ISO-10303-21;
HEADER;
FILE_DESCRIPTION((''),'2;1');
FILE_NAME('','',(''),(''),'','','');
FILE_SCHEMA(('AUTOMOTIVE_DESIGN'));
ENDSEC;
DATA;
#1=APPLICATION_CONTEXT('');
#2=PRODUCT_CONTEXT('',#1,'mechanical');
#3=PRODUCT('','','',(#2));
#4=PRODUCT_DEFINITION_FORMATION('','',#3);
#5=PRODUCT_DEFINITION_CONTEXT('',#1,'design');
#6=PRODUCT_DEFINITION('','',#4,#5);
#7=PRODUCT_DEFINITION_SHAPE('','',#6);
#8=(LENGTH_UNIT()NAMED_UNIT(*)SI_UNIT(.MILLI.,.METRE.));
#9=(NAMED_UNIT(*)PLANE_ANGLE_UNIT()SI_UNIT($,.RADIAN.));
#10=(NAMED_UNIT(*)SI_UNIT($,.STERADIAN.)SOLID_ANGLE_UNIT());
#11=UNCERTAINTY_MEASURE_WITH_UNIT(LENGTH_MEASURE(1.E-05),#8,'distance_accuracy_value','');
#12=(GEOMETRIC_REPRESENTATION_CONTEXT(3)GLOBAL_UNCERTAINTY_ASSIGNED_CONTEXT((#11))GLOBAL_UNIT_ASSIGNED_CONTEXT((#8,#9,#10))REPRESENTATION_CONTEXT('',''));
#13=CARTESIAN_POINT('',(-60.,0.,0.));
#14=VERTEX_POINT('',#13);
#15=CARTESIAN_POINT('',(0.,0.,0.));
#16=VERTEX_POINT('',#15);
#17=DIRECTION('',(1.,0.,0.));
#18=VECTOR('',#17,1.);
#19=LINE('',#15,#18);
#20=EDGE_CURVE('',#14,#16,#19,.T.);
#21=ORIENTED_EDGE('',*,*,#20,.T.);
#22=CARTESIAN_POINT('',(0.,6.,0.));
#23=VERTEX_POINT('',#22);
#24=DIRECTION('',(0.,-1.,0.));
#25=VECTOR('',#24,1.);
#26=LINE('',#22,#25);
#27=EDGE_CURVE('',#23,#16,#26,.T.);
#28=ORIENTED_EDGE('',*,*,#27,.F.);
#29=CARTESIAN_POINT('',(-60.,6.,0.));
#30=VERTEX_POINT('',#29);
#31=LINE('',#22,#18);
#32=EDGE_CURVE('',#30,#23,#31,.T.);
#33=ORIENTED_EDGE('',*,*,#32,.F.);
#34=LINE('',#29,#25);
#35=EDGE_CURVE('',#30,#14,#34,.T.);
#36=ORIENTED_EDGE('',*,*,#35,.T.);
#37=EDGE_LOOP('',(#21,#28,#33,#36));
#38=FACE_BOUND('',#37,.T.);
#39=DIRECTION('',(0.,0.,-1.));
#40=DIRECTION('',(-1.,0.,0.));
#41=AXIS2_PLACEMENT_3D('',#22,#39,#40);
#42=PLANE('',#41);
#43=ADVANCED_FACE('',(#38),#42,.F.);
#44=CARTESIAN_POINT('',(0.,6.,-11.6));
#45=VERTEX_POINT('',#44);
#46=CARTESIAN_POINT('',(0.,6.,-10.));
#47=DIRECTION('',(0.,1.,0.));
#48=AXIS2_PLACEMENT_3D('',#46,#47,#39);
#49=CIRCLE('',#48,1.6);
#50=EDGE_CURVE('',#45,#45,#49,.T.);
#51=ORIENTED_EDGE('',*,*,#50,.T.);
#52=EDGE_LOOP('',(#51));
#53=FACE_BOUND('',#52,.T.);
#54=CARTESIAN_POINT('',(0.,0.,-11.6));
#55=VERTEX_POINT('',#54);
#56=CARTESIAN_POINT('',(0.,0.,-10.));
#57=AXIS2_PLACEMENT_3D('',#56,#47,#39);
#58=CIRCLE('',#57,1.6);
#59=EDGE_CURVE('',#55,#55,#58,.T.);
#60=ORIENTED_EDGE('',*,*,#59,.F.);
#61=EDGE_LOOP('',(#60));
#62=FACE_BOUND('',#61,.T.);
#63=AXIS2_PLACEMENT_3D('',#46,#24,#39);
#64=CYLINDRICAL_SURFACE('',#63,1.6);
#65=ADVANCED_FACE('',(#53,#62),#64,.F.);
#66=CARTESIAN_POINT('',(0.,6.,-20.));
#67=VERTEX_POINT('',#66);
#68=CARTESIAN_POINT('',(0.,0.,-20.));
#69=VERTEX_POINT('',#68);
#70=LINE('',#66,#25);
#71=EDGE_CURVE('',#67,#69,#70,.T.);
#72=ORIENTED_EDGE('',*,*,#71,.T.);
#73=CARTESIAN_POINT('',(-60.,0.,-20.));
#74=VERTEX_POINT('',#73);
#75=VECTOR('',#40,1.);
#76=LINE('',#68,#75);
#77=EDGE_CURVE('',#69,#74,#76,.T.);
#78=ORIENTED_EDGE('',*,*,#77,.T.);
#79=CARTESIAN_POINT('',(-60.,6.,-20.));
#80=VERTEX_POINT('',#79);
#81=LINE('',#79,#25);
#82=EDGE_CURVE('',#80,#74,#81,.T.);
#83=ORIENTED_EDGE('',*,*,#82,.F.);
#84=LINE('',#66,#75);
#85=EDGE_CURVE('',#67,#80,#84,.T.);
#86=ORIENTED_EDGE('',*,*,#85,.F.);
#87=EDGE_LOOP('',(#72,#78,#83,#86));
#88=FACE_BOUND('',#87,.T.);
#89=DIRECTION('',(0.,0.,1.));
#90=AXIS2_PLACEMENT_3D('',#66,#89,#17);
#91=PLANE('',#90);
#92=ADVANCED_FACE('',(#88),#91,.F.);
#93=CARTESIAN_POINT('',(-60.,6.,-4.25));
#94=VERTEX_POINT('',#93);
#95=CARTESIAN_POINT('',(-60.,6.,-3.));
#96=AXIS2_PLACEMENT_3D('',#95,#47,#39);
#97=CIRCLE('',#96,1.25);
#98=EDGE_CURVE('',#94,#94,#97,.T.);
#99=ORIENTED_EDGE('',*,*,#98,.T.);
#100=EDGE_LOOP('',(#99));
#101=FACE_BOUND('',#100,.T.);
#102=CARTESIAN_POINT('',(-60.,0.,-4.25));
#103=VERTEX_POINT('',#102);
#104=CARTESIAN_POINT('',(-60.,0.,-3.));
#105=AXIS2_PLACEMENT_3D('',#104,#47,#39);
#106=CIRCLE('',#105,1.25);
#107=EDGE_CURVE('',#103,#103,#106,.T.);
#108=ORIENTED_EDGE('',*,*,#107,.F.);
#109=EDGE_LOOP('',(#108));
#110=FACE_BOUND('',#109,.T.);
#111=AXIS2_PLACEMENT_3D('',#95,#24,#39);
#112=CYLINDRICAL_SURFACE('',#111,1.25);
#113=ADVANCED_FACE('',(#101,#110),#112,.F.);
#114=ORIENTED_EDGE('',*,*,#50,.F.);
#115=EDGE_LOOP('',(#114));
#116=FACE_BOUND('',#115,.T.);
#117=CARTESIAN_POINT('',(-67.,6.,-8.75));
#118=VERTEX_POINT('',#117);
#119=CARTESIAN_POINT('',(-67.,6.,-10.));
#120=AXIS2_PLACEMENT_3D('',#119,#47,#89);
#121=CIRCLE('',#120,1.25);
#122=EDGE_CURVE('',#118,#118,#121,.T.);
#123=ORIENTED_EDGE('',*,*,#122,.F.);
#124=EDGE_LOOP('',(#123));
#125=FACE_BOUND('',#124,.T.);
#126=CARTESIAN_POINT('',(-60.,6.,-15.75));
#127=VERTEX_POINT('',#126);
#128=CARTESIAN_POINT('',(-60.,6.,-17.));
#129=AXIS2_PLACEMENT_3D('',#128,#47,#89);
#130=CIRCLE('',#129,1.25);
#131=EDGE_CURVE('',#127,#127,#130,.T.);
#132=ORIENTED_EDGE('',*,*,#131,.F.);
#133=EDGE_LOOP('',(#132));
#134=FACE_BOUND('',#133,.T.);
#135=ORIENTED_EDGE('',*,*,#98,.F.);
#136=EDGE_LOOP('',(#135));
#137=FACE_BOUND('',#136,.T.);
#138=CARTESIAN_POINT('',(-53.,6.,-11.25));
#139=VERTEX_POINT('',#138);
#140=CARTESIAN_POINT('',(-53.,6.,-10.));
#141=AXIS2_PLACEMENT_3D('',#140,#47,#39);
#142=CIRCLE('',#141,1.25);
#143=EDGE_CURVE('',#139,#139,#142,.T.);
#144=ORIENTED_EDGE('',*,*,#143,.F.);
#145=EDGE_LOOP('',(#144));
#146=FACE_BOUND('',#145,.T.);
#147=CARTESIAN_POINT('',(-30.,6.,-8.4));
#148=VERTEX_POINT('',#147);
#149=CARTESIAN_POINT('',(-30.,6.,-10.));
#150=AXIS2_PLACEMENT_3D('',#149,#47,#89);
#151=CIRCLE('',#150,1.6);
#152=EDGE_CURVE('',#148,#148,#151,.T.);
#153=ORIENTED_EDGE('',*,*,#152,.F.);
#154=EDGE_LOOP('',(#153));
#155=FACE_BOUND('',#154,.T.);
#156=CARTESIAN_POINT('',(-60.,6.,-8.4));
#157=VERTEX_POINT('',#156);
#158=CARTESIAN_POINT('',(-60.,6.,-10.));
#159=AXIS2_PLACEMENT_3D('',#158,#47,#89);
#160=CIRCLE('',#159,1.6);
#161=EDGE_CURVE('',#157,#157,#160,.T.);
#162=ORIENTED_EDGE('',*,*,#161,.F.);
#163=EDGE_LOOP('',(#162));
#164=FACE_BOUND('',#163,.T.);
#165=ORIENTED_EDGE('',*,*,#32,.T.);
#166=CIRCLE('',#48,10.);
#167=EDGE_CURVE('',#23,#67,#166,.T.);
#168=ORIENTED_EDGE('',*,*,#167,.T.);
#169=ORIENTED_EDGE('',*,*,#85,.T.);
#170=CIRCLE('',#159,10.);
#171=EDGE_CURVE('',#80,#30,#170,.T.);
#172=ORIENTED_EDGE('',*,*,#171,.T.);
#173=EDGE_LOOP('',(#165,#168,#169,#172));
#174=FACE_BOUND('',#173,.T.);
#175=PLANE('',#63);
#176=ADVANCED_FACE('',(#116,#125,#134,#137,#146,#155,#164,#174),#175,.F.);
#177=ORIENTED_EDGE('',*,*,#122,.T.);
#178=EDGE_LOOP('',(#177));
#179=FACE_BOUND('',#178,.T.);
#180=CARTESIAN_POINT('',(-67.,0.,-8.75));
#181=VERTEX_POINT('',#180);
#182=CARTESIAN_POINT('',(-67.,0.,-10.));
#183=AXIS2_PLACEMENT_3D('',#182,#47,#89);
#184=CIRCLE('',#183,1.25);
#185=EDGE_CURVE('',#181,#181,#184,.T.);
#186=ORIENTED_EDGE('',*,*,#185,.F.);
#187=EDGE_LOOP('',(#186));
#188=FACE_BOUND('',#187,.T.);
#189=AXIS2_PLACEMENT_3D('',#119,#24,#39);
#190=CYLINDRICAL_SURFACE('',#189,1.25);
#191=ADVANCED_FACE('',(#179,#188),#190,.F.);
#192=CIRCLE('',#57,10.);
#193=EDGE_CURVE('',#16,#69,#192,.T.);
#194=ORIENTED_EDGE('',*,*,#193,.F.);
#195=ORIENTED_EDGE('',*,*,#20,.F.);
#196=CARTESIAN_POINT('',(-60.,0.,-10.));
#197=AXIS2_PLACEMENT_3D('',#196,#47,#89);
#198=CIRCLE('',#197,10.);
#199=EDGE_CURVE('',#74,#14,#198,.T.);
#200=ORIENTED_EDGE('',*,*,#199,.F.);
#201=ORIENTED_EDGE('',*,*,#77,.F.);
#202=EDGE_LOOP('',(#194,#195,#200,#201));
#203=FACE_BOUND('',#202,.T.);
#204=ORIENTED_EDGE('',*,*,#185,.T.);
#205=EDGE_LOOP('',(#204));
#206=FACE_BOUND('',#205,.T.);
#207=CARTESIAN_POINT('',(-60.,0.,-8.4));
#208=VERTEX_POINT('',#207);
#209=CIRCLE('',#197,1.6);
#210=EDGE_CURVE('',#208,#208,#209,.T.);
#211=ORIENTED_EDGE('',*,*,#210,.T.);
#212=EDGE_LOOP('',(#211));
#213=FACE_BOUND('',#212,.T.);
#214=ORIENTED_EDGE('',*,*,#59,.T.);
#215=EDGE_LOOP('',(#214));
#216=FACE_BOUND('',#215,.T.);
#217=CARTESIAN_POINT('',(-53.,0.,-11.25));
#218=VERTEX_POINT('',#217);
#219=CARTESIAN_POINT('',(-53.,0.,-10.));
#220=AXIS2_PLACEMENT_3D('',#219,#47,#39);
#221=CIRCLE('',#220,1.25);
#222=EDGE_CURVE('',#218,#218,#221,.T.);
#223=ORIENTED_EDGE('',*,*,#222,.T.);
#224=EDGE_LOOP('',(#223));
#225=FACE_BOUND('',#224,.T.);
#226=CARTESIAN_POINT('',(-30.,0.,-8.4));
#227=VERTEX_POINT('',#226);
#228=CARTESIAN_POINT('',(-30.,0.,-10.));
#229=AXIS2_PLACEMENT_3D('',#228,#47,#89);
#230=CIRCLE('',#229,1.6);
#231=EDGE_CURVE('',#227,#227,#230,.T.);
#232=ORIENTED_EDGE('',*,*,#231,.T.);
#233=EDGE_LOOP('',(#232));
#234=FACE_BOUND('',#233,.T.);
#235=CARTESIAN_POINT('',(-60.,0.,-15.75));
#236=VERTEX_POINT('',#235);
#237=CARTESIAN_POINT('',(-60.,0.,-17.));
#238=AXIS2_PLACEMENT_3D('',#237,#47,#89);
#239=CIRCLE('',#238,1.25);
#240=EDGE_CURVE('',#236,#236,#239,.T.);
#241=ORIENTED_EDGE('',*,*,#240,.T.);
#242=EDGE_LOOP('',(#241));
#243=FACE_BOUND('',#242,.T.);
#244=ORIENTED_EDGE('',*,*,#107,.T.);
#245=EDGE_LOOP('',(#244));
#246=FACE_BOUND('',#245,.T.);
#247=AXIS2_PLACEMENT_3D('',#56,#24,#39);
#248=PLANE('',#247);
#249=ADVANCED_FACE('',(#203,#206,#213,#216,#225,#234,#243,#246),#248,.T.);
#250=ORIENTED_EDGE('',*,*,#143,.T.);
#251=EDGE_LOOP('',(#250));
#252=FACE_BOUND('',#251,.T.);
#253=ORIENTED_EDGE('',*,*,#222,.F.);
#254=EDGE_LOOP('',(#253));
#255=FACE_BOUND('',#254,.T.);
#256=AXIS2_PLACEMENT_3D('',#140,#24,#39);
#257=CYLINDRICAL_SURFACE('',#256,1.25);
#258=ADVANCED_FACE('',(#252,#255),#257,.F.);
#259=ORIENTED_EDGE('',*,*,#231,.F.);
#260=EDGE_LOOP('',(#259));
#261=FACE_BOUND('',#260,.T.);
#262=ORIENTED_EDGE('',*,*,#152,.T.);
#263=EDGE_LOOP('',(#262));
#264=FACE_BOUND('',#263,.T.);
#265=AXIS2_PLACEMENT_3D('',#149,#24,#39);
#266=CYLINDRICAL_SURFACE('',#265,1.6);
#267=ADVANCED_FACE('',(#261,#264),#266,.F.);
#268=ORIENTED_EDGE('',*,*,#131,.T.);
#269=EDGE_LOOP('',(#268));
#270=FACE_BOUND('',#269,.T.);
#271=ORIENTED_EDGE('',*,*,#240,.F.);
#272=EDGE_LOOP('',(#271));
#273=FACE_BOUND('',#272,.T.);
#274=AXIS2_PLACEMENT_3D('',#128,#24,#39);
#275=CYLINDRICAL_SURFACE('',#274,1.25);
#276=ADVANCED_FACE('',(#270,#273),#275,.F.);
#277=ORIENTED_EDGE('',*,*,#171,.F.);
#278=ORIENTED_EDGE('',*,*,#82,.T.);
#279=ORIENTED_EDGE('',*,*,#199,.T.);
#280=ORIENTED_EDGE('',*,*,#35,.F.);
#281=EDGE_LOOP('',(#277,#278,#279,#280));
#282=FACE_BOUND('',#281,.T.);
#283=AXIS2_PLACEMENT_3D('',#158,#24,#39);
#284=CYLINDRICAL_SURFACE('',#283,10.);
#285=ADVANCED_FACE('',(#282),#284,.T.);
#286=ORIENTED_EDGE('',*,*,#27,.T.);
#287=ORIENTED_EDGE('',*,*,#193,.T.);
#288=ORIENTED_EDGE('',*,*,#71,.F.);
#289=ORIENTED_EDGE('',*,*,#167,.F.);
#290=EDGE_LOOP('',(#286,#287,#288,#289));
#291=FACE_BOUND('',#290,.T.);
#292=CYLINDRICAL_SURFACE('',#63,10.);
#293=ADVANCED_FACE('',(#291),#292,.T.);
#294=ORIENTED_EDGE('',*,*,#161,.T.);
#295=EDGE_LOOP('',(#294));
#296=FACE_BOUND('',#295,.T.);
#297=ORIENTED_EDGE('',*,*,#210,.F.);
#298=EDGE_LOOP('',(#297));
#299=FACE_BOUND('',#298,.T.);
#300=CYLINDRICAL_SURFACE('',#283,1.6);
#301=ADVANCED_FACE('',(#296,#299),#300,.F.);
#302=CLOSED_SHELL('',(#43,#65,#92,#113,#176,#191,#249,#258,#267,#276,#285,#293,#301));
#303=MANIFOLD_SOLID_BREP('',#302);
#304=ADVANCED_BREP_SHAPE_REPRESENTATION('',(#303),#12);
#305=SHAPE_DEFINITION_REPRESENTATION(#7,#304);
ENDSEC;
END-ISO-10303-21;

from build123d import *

# Parameters (mm, degrees)
SKETCH1_R           = 1.6
SKETCH1_R_2         = 1.25
BOSS_EXTRUDE1_DEPTH = 6


with BuildPart() as part:
    # Sketch1 → Boss-Extrude1 (new body)
    with BuildSketch(Plane(origin=(0, 0, 0), x_dir=(1, 0, 0), z_dir=(0, 1, 0))):
        with BuildLine():
            Line((0, 0), (-60, 0))
            ThreePointArc((-60, 0), (-70, 10), (-60, 20))
            Line((-60, 20), (0, 20))
            ThreePointArc((0, 20), (10, 10), (0, 0))
        make_face()
        with Locations((-60, 10)):
            Circle(SKETCH1_R, mode=Mode.SUBTRACT)
        with Locations((-60, 17)):
            Circle(SKETCH1_R_2, mode=Mode.SUBTRACT)
        with Locations((-60, 3)):
            Circle(SKETCH1_R_2, mode=Mode.SUBTRACT)
        with Locations((-67, 10)):
            Circle(SKETCH1_R_2, mode=Mode.SUBTRACT)
        with Locations((-53, 10)):
            Circle(SKETCH1_R_2, mode=Mode.SUBTRACT)
        with Locations((0, 10)):
            Circle(SKETCH1_R, mode=Mode.SUBTRACT)
        with Locations((-30, 10)):
            Circle(SKETCH1_R, mode=Mode.SUBTRACT)
    extrude(amount=BOSS_EXTRUDE1_DEPTH)


solid = part.part
